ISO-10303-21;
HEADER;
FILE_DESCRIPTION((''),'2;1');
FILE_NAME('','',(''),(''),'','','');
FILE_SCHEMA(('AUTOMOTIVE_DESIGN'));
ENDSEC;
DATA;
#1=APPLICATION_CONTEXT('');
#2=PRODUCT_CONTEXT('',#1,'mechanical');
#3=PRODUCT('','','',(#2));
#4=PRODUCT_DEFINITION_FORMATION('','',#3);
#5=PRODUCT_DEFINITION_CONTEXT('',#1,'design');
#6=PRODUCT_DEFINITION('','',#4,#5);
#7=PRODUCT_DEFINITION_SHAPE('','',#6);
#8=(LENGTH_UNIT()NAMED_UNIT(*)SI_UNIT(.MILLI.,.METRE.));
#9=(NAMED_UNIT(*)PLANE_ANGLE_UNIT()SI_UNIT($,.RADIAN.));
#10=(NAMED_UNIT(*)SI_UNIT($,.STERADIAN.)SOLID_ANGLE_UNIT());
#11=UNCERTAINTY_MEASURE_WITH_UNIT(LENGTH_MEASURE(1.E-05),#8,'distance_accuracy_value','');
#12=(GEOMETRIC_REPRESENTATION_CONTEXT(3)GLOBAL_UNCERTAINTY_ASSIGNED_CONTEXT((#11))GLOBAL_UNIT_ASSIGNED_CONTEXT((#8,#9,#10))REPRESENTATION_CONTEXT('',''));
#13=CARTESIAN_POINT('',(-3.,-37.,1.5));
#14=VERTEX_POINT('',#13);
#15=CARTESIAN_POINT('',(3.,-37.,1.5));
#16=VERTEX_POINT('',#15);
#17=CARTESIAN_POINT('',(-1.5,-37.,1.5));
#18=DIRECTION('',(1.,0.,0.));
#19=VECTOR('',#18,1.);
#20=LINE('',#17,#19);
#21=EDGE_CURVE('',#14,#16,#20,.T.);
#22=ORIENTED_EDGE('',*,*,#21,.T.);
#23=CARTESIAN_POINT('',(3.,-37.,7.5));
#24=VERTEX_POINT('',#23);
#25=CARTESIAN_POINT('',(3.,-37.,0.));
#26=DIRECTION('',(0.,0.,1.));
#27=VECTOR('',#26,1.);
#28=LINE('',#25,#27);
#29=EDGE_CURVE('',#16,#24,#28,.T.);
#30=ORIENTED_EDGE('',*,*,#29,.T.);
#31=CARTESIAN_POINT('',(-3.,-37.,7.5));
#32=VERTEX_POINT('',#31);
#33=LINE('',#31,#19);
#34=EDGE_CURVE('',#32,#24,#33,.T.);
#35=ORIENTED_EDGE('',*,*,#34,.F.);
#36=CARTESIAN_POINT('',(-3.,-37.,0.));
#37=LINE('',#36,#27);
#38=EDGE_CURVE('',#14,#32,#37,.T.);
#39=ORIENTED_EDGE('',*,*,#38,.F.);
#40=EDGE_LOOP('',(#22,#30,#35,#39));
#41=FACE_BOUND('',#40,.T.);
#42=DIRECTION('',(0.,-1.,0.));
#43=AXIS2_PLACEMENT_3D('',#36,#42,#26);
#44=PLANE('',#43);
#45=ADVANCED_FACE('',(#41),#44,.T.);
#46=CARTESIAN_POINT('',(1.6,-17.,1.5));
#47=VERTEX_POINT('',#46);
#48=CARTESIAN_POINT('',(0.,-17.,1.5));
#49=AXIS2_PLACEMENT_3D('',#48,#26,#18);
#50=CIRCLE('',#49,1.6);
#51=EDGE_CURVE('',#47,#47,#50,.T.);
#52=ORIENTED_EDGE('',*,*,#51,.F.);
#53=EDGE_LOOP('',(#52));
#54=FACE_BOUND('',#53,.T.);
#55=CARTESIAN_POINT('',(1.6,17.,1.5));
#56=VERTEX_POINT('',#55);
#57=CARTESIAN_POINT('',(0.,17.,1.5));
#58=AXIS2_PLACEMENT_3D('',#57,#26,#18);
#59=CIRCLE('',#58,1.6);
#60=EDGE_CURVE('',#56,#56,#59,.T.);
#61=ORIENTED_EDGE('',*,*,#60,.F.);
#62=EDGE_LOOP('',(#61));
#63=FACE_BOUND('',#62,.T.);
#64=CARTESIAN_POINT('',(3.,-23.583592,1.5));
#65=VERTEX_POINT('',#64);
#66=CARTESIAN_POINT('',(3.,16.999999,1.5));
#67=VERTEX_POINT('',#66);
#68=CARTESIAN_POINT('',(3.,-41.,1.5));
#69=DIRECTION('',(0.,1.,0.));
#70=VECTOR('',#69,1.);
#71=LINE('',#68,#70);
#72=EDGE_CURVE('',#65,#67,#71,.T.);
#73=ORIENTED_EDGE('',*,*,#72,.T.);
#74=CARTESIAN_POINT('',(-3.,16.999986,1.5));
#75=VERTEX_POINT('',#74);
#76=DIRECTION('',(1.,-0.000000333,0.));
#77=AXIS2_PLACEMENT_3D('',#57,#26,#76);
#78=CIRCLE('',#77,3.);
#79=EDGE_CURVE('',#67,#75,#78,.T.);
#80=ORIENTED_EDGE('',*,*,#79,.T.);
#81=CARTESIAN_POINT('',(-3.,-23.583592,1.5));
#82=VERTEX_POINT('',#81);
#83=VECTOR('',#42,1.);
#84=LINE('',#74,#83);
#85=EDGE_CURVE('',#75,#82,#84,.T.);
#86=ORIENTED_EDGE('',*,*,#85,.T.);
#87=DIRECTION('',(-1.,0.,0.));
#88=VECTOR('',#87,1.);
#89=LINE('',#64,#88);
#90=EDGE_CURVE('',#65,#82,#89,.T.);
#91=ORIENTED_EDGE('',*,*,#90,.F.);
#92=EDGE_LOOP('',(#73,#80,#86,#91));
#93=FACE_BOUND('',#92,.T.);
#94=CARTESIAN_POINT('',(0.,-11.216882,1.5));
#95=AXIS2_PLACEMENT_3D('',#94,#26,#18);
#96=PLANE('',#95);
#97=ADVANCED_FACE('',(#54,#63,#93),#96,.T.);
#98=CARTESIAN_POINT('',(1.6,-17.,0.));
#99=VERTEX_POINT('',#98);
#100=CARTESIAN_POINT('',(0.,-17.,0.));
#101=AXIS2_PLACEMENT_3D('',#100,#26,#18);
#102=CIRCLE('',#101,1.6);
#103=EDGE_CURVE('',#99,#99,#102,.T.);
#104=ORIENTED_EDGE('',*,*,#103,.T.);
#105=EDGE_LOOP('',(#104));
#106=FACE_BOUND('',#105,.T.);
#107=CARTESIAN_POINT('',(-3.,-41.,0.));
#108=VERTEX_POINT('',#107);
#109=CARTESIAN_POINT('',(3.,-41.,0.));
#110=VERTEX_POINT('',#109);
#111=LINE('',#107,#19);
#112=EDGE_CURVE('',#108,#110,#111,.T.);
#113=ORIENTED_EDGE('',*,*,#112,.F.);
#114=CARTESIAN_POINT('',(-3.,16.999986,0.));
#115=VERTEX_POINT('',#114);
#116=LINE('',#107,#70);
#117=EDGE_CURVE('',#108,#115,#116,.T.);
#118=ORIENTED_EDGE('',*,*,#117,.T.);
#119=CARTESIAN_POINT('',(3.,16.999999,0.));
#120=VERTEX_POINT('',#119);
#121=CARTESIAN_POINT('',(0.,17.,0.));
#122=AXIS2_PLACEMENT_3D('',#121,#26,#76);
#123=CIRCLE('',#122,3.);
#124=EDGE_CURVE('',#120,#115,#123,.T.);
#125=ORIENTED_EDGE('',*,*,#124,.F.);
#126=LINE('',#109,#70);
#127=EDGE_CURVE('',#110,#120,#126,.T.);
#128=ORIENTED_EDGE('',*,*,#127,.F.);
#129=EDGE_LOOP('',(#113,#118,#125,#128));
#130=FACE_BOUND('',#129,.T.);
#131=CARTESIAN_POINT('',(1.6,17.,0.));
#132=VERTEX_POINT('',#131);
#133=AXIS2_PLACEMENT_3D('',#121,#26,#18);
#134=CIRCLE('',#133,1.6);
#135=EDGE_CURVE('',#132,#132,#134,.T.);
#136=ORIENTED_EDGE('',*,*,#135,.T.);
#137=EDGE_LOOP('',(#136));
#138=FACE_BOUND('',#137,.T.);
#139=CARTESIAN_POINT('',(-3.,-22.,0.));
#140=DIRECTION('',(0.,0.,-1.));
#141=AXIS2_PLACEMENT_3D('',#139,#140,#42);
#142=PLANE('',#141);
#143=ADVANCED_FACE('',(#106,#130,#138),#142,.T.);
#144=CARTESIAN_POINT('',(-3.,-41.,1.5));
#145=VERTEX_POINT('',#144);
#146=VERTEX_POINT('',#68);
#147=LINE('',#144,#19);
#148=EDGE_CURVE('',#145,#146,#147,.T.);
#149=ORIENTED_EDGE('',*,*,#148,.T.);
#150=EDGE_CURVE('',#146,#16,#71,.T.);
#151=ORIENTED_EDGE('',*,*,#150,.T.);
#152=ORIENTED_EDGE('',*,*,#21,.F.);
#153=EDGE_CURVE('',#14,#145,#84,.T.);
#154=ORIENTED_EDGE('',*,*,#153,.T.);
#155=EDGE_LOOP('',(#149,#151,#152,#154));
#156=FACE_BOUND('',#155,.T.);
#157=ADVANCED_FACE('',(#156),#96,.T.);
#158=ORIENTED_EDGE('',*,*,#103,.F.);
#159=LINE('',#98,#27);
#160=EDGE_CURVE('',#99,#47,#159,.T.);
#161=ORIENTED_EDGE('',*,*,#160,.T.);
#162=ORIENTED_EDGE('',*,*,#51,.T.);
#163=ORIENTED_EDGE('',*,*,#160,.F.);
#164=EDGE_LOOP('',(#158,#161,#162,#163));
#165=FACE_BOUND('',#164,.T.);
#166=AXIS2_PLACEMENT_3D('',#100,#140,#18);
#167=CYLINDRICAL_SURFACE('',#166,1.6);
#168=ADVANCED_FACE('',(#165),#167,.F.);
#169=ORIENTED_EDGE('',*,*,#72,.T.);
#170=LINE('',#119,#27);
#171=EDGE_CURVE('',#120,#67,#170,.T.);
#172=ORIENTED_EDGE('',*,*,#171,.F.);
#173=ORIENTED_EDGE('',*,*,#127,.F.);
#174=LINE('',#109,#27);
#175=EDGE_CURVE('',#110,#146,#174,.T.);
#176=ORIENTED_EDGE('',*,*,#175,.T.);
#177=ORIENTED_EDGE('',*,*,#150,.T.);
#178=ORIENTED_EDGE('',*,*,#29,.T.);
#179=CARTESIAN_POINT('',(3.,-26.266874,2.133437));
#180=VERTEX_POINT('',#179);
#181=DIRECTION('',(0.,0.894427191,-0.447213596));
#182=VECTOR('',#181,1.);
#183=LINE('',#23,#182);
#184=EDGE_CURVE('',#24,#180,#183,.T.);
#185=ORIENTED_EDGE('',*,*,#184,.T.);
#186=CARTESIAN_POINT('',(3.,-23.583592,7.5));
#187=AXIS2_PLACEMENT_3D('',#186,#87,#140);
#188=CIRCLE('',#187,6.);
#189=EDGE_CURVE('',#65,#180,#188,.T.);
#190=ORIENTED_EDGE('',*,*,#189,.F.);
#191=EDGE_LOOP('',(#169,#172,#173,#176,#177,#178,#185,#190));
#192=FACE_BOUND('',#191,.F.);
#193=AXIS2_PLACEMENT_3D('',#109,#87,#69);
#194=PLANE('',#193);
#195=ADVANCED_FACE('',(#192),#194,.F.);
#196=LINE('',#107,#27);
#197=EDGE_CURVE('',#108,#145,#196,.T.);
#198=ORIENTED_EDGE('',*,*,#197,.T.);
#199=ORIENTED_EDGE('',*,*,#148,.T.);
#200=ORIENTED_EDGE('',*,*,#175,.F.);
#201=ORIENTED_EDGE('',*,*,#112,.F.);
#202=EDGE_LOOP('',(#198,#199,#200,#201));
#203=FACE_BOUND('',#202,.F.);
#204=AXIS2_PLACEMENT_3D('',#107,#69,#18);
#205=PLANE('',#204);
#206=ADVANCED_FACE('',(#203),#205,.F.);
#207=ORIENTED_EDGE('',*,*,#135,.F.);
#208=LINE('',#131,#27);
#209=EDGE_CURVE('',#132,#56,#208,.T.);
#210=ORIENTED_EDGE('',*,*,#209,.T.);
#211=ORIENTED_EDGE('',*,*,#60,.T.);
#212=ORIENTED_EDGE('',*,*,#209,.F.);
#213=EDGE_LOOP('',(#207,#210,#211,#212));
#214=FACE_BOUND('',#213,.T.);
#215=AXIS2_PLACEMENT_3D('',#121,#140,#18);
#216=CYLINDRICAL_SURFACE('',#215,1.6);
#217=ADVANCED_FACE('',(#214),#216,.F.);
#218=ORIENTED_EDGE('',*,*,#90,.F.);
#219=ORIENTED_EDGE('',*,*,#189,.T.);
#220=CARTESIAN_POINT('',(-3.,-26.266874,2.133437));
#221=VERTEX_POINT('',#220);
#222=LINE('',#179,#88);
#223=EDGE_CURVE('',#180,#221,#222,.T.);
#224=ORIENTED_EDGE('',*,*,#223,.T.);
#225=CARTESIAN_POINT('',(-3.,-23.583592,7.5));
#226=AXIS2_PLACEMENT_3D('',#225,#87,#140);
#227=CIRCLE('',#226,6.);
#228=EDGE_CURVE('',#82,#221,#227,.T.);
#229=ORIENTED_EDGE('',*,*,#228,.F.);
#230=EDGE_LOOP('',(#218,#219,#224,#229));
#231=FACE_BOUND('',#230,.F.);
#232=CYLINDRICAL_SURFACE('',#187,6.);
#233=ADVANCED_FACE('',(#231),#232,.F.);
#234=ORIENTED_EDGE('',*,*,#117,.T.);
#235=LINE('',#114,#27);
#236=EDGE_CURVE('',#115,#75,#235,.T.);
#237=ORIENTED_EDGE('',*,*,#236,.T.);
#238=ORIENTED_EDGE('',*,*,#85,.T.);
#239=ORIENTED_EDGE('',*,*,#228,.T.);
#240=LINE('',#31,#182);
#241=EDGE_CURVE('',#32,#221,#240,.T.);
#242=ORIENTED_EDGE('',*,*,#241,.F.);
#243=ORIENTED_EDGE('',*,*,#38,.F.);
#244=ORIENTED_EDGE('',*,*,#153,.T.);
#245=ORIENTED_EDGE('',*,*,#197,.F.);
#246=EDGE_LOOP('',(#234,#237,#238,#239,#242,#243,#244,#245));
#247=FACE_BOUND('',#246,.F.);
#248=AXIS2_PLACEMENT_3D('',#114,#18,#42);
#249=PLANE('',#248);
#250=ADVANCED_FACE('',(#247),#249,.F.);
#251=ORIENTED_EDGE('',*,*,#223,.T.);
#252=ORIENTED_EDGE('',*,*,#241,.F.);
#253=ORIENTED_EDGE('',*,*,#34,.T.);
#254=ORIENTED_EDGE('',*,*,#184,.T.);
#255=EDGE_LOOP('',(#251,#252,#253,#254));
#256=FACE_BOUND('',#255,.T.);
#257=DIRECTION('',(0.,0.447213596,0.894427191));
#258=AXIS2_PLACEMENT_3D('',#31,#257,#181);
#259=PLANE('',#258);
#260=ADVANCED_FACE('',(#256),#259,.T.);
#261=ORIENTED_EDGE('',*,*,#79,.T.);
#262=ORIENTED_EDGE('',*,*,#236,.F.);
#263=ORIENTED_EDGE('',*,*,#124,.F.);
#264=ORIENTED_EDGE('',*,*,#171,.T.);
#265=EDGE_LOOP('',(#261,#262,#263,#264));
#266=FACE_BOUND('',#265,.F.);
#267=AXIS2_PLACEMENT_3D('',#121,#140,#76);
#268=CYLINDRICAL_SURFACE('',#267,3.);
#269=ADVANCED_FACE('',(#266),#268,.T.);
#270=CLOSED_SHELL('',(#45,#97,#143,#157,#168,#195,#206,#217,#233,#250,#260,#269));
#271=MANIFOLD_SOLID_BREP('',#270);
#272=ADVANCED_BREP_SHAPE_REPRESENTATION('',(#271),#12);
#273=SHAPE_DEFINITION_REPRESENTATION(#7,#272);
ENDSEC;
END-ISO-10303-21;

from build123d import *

# Parameters (mm, degrees)
SKETCH_R     = 1.6
PAD_DEPTH    = 1.5
PAD001_DEPTH = 6
FILLET_R     = 6


with BuildPart() as part:
    # Sketch → Pad (new body)
    with BuildSketch(Plane.XY):
        with BuildLine():
            ThreePointArc((3, 16.999999), (-7e-06, 20), (-3, 16.999986))
            Line((-3, 16.999986), (-3, -37))
            Line((-3, -37), (-3, -41))
            Line((-3, -41), (3, -41))
            Line((3, -41), (3, -36.999987))
            Line((3, -36.999987), (3, 16.999999))
        make_face()
        with Locations((0, 17)):
            Circle(SKETCH_R, mode=Mode.SUBTRACT)
        with Locations((0, -17)):
            Circle(SKETCH_R, mode=Mode.SUBTRACT)
    extrude(amount=PAD_DEPTH)

    # Sketch001 → Pad001 (new body)
    with BuildSketch(Plane(origin=(-3, 0, 0), x_dir=(0, -1, 0), z_dir=(-1, 0, 0))):
        Polygon((37, 0), (37, 7.5), (22, 0), align=None)
    extrude(amount=-PAD001_DEPTH)

    # Fillet
    fillet_edges = [part.edges().sort_by_distance(p)[0] for p in [
        (0, -25, 1.5),
    ]]
    fillet(fillet_edges, radius=FILLET_R)


solid = part.part
